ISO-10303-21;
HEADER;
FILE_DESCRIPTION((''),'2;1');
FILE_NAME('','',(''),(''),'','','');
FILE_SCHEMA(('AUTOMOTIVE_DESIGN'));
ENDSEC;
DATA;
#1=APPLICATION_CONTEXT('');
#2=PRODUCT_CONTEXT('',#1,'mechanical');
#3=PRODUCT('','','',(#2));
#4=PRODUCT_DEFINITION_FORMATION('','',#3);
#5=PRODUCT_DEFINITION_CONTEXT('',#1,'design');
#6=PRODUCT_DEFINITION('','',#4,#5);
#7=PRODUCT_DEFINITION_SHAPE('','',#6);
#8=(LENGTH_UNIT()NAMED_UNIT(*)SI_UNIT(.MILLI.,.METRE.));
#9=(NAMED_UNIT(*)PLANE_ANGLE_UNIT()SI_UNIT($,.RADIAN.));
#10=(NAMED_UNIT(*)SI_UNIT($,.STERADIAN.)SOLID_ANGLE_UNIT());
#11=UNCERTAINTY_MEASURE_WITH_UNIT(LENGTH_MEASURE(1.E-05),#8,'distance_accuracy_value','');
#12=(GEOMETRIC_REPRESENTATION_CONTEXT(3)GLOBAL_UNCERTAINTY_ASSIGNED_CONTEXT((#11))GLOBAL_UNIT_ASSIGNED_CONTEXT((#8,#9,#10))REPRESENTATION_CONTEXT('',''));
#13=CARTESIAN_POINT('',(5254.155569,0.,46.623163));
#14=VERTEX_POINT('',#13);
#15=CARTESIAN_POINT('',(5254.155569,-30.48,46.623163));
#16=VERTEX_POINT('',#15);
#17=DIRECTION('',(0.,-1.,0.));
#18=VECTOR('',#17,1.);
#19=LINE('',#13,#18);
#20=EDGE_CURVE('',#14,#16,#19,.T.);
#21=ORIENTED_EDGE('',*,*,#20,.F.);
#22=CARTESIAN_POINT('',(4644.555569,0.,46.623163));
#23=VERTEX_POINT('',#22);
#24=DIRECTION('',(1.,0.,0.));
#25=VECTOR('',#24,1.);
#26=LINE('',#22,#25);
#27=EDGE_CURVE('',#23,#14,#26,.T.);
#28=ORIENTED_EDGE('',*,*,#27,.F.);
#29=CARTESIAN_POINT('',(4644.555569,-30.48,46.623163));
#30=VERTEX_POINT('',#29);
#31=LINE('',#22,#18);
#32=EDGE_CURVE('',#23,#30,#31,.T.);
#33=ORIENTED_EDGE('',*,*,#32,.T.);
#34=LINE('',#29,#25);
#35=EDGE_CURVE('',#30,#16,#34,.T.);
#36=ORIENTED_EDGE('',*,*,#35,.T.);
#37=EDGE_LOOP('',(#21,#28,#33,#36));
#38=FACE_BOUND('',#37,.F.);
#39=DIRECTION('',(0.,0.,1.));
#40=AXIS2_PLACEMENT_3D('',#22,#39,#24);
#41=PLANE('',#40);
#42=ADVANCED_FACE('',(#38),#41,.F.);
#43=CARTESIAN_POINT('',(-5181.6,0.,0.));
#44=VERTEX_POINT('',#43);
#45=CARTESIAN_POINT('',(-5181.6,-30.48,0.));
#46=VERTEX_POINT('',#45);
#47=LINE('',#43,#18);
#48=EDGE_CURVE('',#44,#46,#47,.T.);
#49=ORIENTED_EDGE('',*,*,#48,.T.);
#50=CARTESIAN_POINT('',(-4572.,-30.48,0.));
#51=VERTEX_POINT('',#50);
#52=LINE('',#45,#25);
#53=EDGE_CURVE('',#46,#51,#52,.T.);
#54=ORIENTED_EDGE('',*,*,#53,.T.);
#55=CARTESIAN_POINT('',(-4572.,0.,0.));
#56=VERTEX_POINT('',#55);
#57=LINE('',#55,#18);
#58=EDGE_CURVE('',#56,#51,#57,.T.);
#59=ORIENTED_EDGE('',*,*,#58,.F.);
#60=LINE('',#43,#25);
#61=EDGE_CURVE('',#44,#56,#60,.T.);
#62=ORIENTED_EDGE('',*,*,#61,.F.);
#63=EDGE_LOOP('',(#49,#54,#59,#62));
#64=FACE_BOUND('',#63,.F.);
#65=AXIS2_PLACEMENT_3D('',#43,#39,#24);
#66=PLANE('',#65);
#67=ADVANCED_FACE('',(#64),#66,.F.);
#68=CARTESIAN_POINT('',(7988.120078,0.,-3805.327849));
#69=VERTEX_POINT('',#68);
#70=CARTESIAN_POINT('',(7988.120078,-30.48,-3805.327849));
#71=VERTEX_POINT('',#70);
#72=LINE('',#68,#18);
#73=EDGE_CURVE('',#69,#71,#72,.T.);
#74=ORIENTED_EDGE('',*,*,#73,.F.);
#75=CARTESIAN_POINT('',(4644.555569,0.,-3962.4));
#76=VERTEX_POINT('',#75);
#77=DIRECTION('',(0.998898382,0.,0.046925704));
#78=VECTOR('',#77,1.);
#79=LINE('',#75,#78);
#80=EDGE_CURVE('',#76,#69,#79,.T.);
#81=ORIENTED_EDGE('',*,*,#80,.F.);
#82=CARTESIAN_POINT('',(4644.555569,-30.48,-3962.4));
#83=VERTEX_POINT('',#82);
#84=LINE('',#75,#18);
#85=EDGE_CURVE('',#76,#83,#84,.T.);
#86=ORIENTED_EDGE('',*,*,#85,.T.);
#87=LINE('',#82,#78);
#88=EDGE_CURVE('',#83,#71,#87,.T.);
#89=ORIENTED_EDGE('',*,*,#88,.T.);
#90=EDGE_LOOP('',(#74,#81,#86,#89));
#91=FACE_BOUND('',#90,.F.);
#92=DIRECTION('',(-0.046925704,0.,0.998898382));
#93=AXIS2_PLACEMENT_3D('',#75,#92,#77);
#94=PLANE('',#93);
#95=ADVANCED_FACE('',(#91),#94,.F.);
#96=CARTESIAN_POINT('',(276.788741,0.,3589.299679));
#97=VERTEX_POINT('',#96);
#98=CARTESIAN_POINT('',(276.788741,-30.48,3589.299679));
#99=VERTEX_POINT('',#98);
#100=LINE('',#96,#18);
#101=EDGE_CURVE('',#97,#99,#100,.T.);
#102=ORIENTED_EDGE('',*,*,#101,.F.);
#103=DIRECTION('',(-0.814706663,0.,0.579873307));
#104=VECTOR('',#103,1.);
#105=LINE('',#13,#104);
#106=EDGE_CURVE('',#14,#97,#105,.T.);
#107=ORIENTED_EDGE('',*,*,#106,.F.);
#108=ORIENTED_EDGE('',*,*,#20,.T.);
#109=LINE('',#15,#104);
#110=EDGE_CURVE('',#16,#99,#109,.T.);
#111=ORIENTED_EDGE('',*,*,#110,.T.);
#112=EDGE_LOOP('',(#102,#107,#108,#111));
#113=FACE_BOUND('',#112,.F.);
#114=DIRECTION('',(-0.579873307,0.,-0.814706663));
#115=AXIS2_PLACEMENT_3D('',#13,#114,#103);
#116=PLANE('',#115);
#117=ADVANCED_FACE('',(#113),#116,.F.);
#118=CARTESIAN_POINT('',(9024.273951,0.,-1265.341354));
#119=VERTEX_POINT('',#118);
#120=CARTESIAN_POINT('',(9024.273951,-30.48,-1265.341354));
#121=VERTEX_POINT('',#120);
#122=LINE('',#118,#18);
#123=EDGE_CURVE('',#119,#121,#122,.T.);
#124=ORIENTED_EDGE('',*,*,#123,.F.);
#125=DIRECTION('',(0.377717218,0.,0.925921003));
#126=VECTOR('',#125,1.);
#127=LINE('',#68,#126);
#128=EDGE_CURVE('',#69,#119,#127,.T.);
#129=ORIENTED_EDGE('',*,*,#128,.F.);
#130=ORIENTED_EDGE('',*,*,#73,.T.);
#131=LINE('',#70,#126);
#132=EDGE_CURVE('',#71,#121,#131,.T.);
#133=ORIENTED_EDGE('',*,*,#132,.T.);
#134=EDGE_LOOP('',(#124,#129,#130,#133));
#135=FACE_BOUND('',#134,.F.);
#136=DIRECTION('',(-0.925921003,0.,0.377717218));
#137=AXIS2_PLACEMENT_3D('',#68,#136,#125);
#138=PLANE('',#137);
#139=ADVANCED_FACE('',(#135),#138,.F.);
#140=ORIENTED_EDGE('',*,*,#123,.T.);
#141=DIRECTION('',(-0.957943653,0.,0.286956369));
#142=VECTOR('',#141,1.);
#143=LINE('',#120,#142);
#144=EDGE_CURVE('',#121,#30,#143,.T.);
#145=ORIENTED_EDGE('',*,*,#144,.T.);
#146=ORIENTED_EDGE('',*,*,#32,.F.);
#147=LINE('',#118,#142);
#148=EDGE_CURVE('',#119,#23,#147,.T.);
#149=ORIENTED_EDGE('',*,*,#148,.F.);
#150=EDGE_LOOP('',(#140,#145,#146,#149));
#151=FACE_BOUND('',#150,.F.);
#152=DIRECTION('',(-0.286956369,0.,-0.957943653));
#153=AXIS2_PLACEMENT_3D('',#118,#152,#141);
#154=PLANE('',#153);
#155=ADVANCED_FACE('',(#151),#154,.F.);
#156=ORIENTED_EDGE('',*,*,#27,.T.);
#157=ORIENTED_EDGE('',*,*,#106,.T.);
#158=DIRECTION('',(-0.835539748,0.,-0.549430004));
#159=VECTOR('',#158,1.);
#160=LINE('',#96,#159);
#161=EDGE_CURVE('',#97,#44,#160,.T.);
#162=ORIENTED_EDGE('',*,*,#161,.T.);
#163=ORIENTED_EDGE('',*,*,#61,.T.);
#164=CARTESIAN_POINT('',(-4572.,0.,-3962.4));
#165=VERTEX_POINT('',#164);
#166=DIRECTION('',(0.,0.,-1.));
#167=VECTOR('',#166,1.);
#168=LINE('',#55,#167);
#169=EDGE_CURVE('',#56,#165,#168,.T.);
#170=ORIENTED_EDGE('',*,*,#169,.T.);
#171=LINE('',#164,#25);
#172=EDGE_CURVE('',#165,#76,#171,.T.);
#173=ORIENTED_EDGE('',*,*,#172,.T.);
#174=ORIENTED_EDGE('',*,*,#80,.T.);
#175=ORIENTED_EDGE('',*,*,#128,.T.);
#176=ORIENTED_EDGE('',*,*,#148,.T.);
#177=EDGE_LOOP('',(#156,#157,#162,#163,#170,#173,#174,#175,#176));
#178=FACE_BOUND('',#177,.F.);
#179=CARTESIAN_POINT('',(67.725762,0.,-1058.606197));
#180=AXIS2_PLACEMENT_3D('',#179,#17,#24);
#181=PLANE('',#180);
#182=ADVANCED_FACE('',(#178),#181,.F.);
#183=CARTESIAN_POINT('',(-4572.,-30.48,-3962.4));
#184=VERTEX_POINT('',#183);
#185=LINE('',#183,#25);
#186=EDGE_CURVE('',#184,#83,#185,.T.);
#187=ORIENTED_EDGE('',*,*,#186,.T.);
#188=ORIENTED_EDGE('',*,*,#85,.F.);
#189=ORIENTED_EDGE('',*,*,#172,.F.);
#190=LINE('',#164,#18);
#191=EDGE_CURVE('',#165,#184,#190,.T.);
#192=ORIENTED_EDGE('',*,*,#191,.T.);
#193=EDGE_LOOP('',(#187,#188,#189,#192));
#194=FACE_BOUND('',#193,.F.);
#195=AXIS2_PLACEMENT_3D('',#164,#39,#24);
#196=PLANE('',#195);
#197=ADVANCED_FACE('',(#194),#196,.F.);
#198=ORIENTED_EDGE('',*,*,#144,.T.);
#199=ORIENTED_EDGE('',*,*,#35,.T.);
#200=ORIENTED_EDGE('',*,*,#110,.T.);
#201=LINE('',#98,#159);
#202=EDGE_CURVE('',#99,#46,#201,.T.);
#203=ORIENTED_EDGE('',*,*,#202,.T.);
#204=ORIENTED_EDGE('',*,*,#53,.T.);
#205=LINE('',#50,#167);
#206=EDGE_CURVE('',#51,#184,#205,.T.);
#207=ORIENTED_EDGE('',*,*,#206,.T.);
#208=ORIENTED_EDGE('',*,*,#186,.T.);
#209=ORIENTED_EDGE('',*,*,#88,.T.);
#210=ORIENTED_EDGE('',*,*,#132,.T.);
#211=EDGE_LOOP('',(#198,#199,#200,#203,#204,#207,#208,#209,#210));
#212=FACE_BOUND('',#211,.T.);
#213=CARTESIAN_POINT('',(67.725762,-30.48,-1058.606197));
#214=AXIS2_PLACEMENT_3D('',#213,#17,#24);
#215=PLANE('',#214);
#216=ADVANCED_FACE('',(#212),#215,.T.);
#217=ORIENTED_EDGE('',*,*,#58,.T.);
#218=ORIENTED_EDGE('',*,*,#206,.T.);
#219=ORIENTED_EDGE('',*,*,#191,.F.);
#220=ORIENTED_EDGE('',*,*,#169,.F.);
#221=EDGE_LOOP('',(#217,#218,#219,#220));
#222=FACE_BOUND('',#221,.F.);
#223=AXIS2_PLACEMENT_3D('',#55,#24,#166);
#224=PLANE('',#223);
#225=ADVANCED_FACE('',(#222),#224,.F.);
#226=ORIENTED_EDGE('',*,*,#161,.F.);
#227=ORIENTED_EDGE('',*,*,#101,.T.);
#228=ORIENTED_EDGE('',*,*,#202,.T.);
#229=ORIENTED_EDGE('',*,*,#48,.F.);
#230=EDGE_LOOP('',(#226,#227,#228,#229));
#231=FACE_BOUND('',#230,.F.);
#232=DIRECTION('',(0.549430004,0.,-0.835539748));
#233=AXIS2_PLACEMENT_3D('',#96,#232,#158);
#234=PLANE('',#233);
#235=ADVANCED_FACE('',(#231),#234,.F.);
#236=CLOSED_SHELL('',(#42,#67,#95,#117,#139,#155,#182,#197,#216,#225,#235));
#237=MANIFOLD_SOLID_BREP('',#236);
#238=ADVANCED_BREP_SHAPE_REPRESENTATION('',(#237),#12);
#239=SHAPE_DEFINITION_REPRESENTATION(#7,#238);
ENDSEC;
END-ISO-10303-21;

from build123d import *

# Parameters (mm, degrees)
F0_W     = 1150.0381231308
F0_H     = 683.8063001633
F0_W_2   = 1392.1880722046
F0_H_2   = 1216.9328927994
F0_W_3   = 1087.8736972809
F0_H_3   = 1596.6608407974
F0_W_4   = 712.281703949
F0_H_4   = 506.6640377045
F1_DEPTH = 30.48


with BuildPart() as f1:
    # F0 (on Front) → F1 (new body)
    with BuildSketch(Plane.XZ):
        Polygon((0, 2750.7667541504), (-4572, 0), (-4572, -3352.8), (-777.7588963509, -3352.8), (-777.7588963509, -1261.7027759552), (1261.9581222534, -1261.7027759552), (1261.9581222534, -3352.8), (4644.5555686951, -3352.8), (4644.5555686951, -556.6199421883), (4644.5555686951, 46.6231629252), align=None)
        Polygon((-4151.6819000244, -1725.0570058823), (-4151.6819000244, -810.6570058823), (-2193.5088634491, -854.7579646111), (-2193.5088634491, -1725.0570058823), align=None, mode=Mode.SUBTRACT)
        with Locations((2173.5275387764, -1352.0717024803)):
            Rectangle(F0_W, F0_H, mode=Mode.SUBTRACT)
        Polygon((8804.9857739324, -1802.8956907823), (4644.5555686951, -556.6199421883), (4644.5555686951, -3352.8), (8172.7228248237, -3352.8), align=None)
        with Locations((6555.5100440979, -2285.2873206139)):
            Rectangle(F0_W_2, F0_H_2, mode=Mode.SUBTRACT)
        Polygon((-5181.6, 0), (-4572, 0), (0, 2750.7667541504), (4644.5555686951, 46.6231629252), (5254.1555686951, 46.6231629252), (276.7887413502, 3589.2996788025), align=None)
        Polygon((-777.7588963509, -3352.8), (-4572, -3352.8), (-4572, -3962.4), (4644.5555686951, -3962.4), (4644.5555686951, -3352.8), (1261.9581222534, -3352.8), (821.4556574821, -3352.8), (-266.4180397987, -3352.8), align=None)
        Polygon((9024.2739507194, -1265.3413541859), (4644.5555686951, 46.6231629252), (4644.5555686951, -556.6199421883), (8804.9857739324, -1802.8956907823), align=None)
        Polygon((-777.7588963509, -1261.7027759552), (-777.7588963509, -3352.8), (-266.4180397987, -3352.8), (-266.4180397987, -1756.1391592026), (821.4556574821, -1756.1391592026), (821.4556574821, -3352.8), (1261.9581222534, -3352.8), (1261.9581222534, -1261.7027759552), align=None)
        Polygon((4644.5555686951, -3352.8), (4644.5555686951, -3962.4), (7988.1200783626, -3805.3278487957), (8172.7228248237, -3352.8), align=None)
        Polygon((-2193.5088634491, -854.7579646111), (-4151.6819000244, -810.6570058823), (-4151.6819000244, -1725.0570058823), (-2193.5088634491, -1725.0570058823), align=None)
        with Locations((277.5188088417, -2554.4695796013)):
            Rectangle(F0_W_3, F0_H_3)
        with Locations((6555.5100440979, -2285.2873206139)):
            Rectangle(F0_W_2, F0_H_2)
        with Locations((6571.6979503632, -2345.3673124313)):
            Rectangle(F0_W_4, F0_H_4, mode=Mode.SUBTRACT)
        with Locations((2173.5275387764, -1352.0717024803)):
            Rectangle(F0_W, F0_H)
        with Locations((6571.6979503632, -2345.3673124313)):
            Rectangle(F0_W_4, F0_H_4)
    extrude(amount=F1_DEPTH)


solid = f1.part
